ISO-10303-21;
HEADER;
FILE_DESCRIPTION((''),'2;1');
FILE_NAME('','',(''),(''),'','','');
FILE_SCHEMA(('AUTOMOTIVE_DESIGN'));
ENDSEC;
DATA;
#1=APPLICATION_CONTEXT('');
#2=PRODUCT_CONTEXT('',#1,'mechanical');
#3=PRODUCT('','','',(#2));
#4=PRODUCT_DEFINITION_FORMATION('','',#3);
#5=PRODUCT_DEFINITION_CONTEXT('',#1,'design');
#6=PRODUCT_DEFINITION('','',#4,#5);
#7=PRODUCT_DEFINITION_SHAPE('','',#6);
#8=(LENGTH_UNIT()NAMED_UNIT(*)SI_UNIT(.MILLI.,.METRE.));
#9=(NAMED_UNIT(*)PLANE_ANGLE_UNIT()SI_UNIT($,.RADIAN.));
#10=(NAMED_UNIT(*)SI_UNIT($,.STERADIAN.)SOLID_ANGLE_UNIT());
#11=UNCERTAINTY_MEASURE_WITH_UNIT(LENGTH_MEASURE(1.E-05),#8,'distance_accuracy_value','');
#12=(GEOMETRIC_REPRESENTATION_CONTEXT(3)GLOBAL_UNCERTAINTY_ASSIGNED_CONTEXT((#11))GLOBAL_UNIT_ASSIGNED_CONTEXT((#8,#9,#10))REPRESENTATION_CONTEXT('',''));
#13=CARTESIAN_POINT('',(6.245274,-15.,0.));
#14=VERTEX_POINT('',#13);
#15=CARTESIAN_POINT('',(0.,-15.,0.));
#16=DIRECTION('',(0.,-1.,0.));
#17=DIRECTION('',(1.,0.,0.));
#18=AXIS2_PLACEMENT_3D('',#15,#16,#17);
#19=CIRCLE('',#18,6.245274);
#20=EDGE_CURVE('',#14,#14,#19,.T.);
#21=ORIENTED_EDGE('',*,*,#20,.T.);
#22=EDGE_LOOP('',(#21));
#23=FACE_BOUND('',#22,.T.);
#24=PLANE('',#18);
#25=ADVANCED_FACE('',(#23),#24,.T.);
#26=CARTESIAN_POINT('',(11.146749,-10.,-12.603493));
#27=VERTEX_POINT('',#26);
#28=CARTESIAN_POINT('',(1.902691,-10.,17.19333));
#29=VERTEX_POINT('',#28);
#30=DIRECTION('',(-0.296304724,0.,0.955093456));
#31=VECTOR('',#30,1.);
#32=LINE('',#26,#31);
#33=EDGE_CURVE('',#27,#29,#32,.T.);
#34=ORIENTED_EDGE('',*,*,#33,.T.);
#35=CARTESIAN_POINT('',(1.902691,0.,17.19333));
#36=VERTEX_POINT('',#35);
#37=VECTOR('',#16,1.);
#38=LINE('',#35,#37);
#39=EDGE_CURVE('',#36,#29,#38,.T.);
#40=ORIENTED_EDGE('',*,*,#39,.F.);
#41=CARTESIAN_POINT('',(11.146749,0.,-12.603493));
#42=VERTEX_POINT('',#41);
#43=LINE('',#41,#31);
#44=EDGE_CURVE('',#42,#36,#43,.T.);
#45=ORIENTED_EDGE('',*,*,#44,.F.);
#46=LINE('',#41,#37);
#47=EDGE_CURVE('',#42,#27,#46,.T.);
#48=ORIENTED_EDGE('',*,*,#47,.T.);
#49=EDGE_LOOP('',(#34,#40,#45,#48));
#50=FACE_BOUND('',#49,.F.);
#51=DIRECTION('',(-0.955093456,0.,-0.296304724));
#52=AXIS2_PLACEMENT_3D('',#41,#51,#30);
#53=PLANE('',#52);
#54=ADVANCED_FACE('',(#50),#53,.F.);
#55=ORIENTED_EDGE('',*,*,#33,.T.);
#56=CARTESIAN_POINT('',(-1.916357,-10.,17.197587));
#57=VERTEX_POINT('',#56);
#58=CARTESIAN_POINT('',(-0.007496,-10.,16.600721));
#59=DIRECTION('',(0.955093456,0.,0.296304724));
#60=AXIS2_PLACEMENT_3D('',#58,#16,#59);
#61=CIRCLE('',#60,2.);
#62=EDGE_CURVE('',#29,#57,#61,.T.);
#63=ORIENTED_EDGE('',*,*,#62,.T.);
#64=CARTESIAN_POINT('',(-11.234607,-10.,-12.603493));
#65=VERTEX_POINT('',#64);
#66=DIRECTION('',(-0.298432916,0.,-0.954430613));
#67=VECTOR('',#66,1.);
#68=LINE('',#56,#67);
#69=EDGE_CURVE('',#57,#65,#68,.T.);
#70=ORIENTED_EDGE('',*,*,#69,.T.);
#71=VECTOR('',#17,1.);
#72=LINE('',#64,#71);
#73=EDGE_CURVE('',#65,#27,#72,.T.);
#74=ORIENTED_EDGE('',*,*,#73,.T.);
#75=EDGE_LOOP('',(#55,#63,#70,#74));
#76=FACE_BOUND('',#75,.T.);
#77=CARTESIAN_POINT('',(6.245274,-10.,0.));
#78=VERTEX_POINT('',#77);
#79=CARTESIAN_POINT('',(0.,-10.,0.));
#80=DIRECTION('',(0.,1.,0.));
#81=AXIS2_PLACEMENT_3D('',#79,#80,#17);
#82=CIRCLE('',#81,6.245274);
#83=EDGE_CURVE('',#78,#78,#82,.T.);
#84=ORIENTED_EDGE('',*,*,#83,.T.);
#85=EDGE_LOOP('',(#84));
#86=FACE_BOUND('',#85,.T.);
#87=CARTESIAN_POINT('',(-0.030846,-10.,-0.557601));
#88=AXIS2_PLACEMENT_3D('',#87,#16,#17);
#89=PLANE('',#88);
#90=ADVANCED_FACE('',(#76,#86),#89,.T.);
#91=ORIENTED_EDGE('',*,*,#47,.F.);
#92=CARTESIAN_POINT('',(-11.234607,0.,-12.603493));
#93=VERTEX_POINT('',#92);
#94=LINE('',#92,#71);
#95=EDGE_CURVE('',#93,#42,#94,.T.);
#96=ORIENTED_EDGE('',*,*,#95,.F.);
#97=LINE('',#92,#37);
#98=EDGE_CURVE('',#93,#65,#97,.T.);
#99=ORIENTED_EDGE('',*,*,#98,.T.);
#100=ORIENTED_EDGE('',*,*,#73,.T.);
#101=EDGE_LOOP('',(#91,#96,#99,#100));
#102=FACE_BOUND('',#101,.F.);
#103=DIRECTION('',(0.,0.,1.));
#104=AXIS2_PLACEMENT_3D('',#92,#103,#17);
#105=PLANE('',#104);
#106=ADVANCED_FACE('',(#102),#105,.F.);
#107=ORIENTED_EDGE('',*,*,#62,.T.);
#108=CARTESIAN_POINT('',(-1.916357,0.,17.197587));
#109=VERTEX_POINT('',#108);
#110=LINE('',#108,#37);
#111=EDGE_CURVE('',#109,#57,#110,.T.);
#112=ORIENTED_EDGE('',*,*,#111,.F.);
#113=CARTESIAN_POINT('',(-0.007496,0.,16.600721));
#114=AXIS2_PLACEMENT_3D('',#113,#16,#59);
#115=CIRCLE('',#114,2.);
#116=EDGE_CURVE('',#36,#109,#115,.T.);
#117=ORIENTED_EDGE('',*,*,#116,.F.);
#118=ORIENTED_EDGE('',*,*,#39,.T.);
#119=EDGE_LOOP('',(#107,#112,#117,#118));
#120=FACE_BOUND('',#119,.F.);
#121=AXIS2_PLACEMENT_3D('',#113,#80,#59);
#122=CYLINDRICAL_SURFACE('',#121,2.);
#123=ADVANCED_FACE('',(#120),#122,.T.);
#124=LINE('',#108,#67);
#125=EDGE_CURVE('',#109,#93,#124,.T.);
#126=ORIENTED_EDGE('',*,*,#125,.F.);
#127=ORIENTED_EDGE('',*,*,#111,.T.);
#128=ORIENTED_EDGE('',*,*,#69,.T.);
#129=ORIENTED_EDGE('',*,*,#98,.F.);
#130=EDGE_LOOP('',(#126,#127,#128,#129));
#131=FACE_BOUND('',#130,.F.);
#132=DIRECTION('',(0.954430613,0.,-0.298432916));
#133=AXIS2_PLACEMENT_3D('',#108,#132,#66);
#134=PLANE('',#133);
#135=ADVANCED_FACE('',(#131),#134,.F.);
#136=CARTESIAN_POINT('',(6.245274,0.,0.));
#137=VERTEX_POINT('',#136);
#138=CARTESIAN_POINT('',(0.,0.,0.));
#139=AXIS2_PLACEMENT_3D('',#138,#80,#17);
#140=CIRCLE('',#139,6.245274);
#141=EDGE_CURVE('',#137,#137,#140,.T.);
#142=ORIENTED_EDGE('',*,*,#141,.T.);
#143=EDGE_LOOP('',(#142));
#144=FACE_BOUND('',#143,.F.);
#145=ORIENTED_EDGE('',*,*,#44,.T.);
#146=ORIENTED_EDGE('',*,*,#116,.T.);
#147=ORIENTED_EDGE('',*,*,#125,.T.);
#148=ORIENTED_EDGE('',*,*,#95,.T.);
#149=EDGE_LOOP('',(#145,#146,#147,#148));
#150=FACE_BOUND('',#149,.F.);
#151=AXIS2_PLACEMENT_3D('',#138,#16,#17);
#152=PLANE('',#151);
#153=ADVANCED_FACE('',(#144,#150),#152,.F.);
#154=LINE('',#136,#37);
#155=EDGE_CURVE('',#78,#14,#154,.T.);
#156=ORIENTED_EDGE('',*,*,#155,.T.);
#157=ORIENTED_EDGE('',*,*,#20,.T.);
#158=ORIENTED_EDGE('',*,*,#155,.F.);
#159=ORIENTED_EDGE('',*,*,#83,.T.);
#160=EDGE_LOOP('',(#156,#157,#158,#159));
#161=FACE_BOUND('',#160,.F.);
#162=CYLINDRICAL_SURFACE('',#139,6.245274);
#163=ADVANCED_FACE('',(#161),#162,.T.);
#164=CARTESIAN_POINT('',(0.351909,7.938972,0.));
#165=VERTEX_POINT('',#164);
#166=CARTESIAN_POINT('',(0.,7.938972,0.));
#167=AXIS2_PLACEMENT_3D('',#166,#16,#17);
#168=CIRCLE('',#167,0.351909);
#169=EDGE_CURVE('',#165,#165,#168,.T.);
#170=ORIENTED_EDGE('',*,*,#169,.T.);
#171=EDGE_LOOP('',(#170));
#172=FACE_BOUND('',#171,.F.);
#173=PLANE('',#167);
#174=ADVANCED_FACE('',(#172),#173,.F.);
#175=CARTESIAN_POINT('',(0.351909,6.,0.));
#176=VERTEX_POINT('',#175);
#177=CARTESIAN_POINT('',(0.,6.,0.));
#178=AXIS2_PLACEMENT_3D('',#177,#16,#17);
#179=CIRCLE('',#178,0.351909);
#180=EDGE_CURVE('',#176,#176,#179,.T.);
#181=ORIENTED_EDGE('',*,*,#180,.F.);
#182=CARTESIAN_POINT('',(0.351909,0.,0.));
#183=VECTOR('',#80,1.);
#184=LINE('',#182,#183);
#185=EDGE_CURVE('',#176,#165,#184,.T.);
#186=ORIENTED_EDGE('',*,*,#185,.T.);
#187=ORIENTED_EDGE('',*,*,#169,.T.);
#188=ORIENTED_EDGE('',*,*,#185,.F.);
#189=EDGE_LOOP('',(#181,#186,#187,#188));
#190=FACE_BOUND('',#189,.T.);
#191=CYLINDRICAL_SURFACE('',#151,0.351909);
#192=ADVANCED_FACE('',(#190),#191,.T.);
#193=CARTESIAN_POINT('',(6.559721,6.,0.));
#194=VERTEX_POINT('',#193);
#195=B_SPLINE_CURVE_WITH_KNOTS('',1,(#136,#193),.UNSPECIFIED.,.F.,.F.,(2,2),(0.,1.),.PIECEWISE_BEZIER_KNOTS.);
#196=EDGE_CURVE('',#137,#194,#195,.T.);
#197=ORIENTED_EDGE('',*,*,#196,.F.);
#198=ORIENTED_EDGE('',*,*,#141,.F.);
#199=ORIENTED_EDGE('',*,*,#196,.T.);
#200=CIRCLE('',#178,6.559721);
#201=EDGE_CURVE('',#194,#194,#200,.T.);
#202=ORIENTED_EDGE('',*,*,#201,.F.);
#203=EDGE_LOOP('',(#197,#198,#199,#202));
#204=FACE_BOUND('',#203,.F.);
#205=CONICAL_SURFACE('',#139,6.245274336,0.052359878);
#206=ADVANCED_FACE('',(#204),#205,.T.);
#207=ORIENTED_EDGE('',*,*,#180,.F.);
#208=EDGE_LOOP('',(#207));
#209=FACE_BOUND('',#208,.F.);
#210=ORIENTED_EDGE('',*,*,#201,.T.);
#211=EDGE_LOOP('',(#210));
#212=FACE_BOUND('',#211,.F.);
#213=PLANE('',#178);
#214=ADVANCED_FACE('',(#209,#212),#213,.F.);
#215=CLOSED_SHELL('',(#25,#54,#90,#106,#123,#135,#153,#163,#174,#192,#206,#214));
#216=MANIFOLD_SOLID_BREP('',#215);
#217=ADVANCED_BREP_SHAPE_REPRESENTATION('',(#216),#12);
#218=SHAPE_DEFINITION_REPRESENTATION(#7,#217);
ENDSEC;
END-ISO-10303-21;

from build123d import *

# Parameters (mm, degrees)
F0_R     = 6.2452743357
F3_DEPTH = 10
F1_DEPTH = 15
F2_DEPTH = 6
F2_TAPER = -3
F4_R     = 0.351908714
F5_DEPTH = 7.938971743


with BuildPart() as f3:
    # F0 (on Front) → F3 (new body)
    with BuildSketch(Plane.XZ):
        with BuildLine():
            Line((11.1467493973, -12.6034934074), (1.9026910835, 17.1933302465))
            ThreePointArc((1.9026910835, 17.1933302465), (-0.0052668021, 18.6007195565), (-1.9163570551, 17.1975866305))
            Line((-1.9163570551, 17.1975866305), (-11.2346072181, -12.6034934074))
            Line((-11.2346072181, -12.6034934074), (11.1467493973, -12.6034934074))
        make_face()
        Circle(F0_R, mode=Mode.SUBTRACT)
        Circle(F0_R)
    extrude(amount=F3_DEPTH)

    # F0 (on Front) → F1 (join)
    with BuildSketch(Plane.XZ):
        Circle(F0_R)
    extrude(amount=F1_DEPTH)

    # F0 (on Front) → F2 (join)
    with BuildSketch(Plane.XZ):
        Circle(F0_R)
    extrude(amount=-F2_DEPTH, taper=F2_TAPER)

    # F4 (on face) → F5 (join)
    with BuildSketch(Plane.XZ):
        Circle(F4_R)
    extrude(amount=-F5_DEPTH)


solid = f3.part
